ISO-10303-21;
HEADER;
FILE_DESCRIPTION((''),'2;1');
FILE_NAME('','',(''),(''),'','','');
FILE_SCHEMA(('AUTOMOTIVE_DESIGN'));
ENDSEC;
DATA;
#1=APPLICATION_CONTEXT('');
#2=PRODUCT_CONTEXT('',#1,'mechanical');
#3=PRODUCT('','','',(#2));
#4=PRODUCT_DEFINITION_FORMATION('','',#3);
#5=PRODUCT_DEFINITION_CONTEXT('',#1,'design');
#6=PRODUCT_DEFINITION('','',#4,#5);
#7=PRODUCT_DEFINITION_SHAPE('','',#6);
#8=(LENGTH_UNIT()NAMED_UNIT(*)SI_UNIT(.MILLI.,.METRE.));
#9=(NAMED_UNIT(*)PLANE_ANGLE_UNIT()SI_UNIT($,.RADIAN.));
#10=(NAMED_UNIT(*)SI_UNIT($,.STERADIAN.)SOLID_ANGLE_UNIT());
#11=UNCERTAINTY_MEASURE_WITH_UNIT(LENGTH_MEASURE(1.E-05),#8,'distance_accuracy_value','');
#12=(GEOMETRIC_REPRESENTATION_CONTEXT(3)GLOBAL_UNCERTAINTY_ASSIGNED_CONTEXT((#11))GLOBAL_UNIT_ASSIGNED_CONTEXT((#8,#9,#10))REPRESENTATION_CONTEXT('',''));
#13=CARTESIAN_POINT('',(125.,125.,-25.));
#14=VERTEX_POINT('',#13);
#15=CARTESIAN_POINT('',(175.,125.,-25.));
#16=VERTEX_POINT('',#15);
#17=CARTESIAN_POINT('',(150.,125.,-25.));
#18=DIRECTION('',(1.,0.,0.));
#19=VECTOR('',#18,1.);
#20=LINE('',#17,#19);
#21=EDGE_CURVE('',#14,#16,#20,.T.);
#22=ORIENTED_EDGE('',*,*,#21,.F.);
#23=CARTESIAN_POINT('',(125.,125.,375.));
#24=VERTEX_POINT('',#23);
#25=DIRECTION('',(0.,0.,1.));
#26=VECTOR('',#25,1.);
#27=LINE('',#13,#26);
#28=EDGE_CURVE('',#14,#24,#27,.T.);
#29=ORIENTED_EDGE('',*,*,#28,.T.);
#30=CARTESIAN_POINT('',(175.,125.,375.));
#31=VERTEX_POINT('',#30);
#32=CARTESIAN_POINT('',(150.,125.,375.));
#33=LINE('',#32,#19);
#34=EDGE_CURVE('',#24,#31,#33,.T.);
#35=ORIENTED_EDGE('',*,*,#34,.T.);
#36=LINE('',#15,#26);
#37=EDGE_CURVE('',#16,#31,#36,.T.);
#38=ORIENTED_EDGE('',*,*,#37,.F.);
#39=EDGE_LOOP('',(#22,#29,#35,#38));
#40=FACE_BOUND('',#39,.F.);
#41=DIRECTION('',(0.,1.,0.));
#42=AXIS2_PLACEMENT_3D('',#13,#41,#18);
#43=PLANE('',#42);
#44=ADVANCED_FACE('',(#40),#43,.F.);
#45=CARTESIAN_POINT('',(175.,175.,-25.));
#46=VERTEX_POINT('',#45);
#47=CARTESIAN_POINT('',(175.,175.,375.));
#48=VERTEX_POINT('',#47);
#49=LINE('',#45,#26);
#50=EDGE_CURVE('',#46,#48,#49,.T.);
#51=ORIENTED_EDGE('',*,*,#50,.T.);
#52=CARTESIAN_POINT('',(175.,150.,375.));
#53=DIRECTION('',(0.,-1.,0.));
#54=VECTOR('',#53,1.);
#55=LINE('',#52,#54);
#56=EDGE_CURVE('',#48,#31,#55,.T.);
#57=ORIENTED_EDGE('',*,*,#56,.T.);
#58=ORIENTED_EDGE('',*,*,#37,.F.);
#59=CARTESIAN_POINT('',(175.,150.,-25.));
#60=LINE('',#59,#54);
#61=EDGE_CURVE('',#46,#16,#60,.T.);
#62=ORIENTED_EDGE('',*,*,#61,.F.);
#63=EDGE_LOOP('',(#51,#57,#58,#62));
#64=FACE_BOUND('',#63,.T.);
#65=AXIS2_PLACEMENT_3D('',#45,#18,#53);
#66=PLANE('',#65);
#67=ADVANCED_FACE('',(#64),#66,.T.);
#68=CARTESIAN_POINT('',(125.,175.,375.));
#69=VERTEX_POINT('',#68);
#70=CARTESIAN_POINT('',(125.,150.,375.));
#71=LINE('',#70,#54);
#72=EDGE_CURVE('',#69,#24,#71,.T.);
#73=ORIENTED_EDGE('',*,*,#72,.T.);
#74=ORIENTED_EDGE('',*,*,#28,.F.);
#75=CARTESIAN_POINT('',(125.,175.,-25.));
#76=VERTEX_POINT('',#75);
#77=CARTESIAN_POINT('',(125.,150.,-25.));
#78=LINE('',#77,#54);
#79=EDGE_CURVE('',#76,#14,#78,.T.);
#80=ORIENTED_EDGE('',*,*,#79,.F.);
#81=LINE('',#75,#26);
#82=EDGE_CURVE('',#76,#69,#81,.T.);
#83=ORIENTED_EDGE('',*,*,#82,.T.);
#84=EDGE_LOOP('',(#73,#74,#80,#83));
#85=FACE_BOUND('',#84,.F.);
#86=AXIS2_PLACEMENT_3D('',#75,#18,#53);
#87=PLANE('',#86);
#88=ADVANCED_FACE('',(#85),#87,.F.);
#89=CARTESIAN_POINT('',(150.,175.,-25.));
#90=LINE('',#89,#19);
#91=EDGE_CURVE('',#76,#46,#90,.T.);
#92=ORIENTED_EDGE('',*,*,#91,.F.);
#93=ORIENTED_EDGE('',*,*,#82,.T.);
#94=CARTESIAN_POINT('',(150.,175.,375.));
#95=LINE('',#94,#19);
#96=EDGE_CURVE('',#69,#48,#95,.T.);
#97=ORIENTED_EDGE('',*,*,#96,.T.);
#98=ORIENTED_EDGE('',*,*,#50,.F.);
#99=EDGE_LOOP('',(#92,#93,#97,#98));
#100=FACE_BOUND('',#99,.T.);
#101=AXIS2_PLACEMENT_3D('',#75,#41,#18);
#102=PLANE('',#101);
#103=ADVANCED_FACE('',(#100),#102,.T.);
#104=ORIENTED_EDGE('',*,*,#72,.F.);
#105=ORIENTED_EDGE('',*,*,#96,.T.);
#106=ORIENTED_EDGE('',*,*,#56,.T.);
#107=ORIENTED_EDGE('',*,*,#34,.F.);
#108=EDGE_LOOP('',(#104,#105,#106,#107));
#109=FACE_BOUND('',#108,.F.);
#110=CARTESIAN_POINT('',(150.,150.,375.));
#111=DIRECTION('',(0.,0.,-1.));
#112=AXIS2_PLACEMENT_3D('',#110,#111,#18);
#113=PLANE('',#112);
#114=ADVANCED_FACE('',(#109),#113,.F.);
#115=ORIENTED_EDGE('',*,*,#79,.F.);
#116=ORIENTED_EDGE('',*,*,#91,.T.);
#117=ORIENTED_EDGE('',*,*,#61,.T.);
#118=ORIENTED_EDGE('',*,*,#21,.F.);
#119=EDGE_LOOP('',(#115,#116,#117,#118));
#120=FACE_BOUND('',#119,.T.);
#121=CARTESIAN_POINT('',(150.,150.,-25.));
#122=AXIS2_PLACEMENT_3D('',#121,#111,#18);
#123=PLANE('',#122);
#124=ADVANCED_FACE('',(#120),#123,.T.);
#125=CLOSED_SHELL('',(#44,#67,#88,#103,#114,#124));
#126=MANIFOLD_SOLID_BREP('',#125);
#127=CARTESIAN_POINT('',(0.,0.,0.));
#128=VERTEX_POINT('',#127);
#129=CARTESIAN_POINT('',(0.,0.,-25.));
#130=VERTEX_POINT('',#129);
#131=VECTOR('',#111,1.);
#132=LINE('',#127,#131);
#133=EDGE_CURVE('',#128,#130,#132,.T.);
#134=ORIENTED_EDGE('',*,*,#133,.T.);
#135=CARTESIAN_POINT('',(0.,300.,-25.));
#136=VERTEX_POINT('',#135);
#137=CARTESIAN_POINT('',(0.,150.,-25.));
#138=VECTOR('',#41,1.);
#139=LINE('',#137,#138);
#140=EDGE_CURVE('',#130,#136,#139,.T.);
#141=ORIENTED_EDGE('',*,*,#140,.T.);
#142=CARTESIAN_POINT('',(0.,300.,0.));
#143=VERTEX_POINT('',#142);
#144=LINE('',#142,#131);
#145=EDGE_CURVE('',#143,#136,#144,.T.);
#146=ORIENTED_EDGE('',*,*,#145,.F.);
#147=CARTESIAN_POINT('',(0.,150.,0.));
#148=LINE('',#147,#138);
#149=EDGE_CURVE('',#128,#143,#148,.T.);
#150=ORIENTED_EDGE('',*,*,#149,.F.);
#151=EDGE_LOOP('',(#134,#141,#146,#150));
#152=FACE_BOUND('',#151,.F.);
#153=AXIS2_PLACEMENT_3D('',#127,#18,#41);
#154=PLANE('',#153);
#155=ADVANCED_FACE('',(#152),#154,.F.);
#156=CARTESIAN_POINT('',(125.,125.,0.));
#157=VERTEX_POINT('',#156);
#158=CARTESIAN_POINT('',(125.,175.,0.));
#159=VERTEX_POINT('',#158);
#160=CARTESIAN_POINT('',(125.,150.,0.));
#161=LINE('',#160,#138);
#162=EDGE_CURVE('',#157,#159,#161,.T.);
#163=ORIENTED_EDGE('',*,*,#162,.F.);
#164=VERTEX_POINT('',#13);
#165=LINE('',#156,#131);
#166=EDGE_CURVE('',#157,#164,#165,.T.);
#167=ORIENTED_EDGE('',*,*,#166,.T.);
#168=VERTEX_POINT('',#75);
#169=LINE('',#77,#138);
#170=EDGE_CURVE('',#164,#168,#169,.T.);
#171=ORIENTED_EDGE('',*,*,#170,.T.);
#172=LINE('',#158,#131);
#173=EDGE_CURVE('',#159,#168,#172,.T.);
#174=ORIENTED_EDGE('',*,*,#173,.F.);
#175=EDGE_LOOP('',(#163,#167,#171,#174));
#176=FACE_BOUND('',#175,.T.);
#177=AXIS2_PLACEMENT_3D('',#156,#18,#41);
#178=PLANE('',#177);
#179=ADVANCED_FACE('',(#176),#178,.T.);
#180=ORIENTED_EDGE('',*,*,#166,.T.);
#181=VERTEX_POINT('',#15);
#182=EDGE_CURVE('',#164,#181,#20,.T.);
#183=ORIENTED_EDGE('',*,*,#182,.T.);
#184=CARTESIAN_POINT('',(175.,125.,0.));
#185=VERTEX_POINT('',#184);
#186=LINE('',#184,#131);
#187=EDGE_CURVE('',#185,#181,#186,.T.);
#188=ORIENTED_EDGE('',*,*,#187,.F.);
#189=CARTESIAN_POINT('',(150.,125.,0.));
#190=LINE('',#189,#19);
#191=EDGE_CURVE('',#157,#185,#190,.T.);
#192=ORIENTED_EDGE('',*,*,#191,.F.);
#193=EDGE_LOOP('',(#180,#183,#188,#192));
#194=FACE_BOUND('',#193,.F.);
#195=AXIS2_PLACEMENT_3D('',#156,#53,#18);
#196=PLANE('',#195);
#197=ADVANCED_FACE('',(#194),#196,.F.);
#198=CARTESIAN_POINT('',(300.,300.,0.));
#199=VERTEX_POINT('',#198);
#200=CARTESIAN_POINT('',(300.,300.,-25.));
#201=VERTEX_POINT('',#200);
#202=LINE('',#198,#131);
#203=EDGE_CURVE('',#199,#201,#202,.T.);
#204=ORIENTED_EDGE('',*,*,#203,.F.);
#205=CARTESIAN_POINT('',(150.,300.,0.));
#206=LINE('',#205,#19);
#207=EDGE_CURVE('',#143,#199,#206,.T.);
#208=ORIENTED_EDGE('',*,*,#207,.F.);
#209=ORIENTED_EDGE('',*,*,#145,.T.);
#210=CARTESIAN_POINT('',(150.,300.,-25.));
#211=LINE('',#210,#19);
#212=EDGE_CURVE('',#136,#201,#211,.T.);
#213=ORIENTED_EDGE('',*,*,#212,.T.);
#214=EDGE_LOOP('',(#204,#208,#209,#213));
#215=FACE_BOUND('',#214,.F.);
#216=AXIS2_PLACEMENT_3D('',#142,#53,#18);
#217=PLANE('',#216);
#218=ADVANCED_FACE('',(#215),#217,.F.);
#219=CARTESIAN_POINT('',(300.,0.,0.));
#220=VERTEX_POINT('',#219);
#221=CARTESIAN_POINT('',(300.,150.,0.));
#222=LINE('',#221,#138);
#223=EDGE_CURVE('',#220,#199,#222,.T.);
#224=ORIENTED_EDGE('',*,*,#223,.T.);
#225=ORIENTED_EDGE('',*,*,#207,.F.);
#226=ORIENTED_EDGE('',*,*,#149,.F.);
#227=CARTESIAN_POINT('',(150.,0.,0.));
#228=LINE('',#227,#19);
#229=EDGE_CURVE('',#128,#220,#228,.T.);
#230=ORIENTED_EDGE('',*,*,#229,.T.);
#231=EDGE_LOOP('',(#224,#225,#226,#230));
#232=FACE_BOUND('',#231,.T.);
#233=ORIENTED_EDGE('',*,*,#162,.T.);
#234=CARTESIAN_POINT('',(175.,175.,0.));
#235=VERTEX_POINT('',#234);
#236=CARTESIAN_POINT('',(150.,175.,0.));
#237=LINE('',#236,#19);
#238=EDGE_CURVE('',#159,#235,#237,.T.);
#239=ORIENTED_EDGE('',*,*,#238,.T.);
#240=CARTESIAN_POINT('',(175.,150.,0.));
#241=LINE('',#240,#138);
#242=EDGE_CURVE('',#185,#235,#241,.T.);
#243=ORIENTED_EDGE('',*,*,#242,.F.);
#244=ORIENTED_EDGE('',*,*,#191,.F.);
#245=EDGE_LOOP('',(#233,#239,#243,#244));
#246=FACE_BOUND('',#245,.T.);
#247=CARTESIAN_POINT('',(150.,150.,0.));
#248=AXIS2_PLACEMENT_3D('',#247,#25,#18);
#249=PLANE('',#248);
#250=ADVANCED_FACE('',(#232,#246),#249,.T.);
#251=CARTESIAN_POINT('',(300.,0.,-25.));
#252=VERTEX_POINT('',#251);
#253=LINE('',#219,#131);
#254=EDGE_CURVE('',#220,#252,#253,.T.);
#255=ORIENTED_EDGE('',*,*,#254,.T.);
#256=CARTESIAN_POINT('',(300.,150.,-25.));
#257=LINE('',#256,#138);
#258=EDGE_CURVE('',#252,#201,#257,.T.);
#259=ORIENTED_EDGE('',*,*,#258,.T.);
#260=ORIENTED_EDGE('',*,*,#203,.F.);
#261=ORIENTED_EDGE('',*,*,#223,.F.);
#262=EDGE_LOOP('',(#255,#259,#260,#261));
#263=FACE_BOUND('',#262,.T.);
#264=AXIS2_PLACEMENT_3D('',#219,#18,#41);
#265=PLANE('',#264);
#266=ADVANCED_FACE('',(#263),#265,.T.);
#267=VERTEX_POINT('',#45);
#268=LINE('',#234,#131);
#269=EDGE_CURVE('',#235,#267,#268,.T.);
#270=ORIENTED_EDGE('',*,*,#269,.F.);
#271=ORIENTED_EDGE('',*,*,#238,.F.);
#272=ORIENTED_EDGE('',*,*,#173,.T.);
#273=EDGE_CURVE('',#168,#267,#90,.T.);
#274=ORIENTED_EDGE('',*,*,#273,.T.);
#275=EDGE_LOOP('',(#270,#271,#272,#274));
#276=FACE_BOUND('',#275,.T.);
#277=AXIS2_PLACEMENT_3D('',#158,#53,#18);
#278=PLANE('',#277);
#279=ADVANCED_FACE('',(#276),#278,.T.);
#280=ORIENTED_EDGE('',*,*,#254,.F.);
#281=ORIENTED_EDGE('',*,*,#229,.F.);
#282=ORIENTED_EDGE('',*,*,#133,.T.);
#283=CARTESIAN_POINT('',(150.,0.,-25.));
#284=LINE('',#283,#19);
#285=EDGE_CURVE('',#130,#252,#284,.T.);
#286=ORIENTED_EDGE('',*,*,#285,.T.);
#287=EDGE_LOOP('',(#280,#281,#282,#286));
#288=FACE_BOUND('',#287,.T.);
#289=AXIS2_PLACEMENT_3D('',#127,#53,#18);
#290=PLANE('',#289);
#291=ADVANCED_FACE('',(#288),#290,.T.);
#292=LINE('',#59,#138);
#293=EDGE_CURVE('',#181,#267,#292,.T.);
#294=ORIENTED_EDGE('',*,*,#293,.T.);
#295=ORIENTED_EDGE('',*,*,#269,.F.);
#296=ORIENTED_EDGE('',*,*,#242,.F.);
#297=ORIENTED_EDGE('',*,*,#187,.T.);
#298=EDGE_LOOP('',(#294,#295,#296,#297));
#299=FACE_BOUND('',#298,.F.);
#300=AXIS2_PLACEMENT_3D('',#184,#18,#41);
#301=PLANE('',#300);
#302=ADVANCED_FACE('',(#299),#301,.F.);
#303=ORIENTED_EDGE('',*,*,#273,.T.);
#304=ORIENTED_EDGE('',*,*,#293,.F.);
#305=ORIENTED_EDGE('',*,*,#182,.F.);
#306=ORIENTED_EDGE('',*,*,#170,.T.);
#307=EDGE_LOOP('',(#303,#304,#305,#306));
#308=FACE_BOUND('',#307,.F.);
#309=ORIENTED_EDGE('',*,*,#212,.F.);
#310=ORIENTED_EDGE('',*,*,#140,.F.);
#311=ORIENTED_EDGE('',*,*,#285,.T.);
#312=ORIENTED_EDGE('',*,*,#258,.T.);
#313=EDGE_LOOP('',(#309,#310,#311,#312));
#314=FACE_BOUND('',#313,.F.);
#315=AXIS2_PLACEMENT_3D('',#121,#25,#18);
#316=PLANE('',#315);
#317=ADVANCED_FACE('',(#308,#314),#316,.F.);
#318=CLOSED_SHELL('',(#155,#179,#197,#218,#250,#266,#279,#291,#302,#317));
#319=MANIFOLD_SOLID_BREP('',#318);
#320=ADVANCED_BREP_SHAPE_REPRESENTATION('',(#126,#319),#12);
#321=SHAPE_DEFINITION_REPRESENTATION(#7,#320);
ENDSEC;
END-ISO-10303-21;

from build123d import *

# Parameters (mm, degrees)
F0_W     = 300
F0_H     = 300
F0_W_2   = 50
F0_H_2   = 50
F1_DEPTH = 25
F2_W     = 50
F2_H     = 50
F3_DEPTH = 400


with BuildPart() as f1:
    # F0 (on Top) → F1 (new body)
    with BuildSketch(Plane.XY):
        with Locations((150, 150)):
            Rectangle(F0_W, F0_H)
        with Locations((150, 150)):
            Rectangle(F0_W_2, F0_H_2, mode=Mode.SUBTRACT)
    extrude(amount=-F1_DEPTH)


with BuildPart() as f3:
    # F2 (on face) → F3 (new body)
    with BuildSketch(Plane(origin=(0, 0, -25), x_dir=(1, 0, 0), z_dir=(0, 0, -1))):
        with Locations((150, -150)):
            Rectangle(F2_W, F2_H)
    extrude(amount=-F3_DEPTH)


solid = Compound([f1.part, f3.part])
